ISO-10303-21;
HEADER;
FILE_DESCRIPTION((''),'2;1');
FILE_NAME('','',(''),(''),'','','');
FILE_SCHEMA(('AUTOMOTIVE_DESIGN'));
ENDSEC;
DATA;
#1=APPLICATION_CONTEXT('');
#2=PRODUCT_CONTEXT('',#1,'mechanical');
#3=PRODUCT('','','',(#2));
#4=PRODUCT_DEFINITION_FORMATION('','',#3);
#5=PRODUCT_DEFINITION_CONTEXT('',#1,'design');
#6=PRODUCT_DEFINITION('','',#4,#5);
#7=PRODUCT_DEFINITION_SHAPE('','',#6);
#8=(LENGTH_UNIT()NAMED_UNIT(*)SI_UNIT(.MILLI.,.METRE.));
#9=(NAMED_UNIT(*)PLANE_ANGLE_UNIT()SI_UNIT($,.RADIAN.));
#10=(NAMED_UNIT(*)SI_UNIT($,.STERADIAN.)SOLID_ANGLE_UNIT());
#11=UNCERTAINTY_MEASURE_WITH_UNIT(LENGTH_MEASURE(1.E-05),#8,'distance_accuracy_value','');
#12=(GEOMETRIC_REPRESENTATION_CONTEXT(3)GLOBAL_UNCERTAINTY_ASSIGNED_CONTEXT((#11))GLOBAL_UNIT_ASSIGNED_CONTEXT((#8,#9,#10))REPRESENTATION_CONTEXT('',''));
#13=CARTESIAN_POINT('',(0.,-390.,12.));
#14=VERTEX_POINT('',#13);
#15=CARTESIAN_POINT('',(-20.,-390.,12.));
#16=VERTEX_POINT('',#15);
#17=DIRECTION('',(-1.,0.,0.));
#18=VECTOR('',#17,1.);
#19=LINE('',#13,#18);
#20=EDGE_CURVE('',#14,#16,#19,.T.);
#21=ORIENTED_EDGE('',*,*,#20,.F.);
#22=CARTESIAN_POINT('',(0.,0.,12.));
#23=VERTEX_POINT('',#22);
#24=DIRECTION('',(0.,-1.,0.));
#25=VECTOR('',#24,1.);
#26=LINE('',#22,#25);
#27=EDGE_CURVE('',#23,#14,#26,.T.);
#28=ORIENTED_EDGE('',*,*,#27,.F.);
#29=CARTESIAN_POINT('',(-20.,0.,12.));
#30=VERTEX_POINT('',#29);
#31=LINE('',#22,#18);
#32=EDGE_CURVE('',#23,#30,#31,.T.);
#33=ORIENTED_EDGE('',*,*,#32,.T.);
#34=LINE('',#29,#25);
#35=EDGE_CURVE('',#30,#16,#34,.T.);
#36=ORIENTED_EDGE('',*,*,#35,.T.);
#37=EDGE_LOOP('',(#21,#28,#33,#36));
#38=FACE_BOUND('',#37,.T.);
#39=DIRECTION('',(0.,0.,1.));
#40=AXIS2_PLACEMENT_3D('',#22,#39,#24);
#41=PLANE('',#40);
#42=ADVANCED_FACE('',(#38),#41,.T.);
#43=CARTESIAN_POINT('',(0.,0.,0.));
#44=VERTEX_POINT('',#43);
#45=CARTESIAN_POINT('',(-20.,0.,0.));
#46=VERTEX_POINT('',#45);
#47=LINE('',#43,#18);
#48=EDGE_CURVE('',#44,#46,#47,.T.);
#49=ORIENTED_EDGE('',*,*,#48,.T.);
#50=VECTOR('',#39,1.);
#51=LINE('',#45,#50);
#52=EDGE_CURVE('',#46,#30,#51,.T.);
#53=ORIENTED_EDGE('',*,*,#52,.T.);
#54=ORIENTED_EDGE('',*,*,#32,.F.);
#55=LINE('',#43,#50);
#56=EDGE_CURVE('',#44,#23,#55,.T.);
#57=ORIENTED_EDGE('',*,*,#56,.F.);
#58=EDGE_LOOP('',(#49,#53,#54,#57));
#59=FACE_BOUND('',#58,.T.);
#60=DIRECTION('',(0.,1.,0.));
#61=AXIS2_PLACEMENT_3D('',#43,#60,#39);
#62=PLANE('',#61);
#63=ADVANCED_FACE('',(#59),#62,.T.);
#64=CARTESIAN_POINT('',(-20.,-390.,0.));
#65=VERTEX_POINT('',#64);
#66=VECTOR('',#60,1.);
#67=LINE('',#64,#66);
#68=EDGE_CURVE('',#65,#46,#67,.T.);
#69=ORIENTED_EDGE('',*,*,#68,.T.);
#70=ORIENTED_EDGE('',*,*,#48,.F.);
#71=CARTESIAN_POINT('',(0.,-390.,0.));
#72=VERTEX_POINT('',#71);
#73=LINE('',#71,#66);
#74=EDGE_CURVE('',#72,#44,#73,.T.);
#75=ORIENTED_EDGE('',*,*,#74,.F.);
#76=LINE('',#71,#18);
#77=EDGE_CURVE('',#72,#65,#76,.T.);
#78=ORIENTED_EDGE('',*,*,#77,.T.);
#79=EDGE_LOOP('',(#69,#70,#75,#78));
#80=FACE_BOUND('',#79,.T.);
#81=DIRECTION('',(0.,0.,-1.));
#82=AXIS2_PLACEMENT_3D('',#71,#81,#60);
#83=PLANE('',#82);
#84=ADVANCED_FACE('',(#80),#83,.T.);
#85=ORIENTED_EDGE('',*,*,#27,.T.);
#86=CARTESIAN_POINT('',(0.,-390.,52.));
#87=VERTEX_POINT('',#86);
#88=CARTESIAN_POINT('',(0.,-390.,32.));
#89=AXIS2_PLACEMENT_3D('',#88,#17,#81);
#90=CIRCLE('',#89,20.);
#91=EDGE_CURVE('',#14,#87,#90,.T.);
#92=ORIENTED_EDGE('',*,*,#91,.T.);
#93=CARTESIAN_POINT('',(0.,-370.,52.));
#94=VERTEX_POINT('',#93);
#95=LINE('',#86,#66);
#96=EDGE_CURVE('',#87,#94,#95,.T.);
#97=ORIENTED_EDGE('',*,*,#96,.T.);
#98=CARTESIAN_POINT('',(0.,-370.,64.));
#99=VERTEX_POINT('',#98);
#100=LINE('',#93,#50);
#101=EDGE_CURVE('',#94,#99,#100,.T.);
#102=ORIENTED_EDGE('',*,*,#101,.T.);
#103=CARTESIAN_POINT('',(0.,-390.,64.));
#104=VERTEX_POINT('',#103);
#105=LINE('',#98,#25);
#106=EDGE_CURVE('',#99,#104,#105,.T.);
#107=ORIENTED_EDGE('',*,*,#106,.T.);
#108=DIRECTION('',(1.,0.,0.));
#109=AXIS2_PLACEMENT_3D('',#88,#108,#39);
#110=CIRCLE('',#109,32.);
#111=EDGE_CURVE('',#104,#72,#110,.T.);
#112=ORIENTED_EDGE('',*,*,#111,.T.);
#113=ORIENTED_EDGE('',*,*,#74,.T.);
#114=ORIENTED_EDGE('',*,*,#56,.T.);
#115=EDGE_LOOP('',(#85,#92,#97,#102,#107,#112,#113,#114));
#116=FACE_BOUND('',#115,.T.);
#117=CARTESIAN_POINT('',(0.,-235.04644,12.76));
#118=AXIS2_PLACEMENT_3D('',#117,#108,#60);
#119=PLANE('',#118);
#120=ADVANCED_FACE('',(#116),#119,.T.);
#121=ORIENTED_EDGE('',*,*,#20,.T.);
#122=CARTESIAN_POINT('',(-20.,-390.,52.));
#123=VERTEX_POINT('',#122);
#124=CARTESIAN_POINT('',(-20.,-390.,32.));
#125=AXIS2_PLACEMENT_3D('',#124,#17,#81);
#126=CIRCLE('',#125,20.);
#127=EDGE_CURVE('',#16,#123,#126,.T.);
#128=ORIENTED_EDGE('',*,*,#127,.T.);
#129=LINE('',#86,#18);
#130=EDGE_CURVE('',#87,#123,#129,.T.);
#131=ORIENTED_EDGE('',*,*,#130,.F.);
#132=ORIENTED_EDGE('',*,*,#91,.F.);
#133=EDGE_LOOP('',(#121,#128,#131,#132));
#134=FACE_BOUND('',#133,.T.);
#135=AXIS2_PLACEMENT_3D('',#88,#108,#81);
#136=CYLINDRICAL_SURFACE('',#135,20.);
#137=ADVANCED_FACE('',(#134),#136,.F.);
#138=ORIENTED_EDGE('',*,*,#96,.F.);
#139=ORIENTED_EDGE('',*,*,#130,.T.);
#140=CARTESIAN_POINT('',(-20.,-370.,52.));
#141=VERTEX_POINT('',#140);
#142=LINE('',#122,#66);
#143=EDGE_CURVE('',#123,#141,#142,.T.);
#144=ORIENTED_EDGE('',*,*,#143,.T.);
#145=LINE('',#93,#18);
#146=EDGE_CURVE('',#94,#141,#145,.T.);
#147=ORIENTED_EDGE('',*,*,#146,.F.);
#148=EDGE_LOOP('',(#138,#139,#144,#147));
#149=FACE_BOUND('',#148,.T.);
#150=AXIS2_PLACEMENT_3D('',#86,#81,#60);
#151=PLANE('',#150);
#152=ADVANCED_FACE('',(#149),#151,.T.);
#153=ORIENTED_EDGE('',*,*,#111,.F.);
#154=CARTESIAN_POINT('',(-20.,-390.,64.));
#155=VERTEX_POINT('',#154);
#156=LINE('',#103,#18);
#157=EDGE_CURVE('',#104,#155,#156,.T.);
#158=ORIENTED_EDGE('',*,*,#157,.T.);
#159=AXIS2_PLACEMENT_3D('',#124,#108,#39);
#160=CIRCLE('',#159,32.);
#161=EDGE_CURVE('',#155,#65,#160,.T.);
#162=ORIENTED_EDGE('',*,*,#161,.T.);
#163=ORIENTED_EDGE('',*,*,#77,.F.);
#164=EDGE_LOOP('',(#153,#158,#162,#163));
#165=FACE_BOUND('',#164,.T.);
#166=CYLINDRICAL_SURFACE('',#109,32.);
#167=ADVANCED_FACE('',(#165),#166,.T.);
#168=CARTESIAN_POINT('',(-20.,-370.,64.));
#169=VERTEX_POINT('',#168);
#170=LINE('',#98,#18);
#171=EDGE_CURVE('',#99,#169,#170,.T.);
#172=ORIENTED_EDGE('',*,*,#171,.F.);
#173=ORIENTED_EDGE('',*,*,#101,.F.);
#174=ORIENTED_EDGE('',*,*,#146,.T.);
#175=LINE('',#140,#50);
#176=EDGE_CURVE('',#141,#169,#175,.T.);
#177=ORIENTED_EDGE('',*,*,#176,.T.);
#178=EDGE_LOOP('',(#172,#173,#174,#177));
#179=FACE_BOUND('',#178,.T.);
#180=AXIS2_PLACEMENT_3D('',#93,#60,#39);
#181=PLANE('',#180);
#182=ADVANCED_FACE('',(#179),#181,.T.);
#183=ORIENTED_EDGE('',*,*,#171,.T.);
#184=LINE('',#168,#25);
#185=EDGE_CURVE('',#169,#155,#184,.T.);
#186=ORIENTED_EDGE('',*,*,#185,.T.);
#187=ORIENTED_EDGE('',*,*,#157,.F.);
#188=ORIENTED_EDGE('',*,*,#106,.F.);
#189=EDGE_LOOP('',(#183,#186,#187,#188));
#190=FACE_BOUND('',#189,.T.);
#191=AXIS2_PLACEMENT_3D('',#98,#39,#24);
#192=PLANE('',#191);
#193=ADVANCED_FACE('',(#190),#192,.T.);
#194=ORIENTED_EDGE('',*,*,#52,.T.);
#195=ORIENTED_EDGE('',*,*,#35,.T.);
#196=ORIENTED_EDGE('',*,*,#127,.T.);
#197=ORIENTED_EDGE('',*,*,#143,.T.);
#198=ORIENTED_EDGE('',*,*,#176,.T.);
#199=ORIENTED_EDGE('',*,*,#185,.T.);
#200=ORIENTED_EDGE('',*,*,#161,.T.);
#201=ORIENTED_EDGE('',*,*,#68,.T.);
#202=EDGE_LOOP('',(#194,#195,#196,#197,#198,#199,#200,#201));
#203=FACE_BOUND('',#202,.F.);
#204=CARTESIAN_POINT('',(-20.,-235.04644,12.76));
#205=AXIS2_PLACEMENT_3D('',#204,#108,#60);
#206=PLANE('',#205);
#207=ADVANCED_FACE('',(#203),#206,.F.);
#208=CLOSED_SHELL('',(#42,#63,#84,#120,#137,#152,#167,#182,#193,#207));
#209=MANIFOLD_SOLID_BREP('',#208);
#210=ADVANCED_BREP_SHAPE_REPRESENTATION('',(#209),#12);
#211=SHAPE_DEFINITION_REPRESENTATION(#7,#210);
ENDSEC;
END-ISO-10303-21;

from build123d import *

# Parameters (mm, degrees)
F1_DEPTH = 20


with BuildPart() as f1:
    # F0 (on Right) → F1 (new body)
    with BuildSketch(Plane.YZ):
        with BuildLine():
            Line((-390, 0), (0, 0))
            Line((0, 0), (0, 12))
            Line((0, 12), (-390, 12))
            ThreePointArc((-390, 12), (-410, 32), (-390, 52))
            Line((-390, 52), (-370, 52))
            Line((-370, 52), (-370, 64))
            Line((-370, 64), (-390, 64))
            ThreePointArc((-390, 64), (-422, 32), (-390, 0))
        make_face()
    extrude(amount=-F1_DEPTH)


solid = f1.part
